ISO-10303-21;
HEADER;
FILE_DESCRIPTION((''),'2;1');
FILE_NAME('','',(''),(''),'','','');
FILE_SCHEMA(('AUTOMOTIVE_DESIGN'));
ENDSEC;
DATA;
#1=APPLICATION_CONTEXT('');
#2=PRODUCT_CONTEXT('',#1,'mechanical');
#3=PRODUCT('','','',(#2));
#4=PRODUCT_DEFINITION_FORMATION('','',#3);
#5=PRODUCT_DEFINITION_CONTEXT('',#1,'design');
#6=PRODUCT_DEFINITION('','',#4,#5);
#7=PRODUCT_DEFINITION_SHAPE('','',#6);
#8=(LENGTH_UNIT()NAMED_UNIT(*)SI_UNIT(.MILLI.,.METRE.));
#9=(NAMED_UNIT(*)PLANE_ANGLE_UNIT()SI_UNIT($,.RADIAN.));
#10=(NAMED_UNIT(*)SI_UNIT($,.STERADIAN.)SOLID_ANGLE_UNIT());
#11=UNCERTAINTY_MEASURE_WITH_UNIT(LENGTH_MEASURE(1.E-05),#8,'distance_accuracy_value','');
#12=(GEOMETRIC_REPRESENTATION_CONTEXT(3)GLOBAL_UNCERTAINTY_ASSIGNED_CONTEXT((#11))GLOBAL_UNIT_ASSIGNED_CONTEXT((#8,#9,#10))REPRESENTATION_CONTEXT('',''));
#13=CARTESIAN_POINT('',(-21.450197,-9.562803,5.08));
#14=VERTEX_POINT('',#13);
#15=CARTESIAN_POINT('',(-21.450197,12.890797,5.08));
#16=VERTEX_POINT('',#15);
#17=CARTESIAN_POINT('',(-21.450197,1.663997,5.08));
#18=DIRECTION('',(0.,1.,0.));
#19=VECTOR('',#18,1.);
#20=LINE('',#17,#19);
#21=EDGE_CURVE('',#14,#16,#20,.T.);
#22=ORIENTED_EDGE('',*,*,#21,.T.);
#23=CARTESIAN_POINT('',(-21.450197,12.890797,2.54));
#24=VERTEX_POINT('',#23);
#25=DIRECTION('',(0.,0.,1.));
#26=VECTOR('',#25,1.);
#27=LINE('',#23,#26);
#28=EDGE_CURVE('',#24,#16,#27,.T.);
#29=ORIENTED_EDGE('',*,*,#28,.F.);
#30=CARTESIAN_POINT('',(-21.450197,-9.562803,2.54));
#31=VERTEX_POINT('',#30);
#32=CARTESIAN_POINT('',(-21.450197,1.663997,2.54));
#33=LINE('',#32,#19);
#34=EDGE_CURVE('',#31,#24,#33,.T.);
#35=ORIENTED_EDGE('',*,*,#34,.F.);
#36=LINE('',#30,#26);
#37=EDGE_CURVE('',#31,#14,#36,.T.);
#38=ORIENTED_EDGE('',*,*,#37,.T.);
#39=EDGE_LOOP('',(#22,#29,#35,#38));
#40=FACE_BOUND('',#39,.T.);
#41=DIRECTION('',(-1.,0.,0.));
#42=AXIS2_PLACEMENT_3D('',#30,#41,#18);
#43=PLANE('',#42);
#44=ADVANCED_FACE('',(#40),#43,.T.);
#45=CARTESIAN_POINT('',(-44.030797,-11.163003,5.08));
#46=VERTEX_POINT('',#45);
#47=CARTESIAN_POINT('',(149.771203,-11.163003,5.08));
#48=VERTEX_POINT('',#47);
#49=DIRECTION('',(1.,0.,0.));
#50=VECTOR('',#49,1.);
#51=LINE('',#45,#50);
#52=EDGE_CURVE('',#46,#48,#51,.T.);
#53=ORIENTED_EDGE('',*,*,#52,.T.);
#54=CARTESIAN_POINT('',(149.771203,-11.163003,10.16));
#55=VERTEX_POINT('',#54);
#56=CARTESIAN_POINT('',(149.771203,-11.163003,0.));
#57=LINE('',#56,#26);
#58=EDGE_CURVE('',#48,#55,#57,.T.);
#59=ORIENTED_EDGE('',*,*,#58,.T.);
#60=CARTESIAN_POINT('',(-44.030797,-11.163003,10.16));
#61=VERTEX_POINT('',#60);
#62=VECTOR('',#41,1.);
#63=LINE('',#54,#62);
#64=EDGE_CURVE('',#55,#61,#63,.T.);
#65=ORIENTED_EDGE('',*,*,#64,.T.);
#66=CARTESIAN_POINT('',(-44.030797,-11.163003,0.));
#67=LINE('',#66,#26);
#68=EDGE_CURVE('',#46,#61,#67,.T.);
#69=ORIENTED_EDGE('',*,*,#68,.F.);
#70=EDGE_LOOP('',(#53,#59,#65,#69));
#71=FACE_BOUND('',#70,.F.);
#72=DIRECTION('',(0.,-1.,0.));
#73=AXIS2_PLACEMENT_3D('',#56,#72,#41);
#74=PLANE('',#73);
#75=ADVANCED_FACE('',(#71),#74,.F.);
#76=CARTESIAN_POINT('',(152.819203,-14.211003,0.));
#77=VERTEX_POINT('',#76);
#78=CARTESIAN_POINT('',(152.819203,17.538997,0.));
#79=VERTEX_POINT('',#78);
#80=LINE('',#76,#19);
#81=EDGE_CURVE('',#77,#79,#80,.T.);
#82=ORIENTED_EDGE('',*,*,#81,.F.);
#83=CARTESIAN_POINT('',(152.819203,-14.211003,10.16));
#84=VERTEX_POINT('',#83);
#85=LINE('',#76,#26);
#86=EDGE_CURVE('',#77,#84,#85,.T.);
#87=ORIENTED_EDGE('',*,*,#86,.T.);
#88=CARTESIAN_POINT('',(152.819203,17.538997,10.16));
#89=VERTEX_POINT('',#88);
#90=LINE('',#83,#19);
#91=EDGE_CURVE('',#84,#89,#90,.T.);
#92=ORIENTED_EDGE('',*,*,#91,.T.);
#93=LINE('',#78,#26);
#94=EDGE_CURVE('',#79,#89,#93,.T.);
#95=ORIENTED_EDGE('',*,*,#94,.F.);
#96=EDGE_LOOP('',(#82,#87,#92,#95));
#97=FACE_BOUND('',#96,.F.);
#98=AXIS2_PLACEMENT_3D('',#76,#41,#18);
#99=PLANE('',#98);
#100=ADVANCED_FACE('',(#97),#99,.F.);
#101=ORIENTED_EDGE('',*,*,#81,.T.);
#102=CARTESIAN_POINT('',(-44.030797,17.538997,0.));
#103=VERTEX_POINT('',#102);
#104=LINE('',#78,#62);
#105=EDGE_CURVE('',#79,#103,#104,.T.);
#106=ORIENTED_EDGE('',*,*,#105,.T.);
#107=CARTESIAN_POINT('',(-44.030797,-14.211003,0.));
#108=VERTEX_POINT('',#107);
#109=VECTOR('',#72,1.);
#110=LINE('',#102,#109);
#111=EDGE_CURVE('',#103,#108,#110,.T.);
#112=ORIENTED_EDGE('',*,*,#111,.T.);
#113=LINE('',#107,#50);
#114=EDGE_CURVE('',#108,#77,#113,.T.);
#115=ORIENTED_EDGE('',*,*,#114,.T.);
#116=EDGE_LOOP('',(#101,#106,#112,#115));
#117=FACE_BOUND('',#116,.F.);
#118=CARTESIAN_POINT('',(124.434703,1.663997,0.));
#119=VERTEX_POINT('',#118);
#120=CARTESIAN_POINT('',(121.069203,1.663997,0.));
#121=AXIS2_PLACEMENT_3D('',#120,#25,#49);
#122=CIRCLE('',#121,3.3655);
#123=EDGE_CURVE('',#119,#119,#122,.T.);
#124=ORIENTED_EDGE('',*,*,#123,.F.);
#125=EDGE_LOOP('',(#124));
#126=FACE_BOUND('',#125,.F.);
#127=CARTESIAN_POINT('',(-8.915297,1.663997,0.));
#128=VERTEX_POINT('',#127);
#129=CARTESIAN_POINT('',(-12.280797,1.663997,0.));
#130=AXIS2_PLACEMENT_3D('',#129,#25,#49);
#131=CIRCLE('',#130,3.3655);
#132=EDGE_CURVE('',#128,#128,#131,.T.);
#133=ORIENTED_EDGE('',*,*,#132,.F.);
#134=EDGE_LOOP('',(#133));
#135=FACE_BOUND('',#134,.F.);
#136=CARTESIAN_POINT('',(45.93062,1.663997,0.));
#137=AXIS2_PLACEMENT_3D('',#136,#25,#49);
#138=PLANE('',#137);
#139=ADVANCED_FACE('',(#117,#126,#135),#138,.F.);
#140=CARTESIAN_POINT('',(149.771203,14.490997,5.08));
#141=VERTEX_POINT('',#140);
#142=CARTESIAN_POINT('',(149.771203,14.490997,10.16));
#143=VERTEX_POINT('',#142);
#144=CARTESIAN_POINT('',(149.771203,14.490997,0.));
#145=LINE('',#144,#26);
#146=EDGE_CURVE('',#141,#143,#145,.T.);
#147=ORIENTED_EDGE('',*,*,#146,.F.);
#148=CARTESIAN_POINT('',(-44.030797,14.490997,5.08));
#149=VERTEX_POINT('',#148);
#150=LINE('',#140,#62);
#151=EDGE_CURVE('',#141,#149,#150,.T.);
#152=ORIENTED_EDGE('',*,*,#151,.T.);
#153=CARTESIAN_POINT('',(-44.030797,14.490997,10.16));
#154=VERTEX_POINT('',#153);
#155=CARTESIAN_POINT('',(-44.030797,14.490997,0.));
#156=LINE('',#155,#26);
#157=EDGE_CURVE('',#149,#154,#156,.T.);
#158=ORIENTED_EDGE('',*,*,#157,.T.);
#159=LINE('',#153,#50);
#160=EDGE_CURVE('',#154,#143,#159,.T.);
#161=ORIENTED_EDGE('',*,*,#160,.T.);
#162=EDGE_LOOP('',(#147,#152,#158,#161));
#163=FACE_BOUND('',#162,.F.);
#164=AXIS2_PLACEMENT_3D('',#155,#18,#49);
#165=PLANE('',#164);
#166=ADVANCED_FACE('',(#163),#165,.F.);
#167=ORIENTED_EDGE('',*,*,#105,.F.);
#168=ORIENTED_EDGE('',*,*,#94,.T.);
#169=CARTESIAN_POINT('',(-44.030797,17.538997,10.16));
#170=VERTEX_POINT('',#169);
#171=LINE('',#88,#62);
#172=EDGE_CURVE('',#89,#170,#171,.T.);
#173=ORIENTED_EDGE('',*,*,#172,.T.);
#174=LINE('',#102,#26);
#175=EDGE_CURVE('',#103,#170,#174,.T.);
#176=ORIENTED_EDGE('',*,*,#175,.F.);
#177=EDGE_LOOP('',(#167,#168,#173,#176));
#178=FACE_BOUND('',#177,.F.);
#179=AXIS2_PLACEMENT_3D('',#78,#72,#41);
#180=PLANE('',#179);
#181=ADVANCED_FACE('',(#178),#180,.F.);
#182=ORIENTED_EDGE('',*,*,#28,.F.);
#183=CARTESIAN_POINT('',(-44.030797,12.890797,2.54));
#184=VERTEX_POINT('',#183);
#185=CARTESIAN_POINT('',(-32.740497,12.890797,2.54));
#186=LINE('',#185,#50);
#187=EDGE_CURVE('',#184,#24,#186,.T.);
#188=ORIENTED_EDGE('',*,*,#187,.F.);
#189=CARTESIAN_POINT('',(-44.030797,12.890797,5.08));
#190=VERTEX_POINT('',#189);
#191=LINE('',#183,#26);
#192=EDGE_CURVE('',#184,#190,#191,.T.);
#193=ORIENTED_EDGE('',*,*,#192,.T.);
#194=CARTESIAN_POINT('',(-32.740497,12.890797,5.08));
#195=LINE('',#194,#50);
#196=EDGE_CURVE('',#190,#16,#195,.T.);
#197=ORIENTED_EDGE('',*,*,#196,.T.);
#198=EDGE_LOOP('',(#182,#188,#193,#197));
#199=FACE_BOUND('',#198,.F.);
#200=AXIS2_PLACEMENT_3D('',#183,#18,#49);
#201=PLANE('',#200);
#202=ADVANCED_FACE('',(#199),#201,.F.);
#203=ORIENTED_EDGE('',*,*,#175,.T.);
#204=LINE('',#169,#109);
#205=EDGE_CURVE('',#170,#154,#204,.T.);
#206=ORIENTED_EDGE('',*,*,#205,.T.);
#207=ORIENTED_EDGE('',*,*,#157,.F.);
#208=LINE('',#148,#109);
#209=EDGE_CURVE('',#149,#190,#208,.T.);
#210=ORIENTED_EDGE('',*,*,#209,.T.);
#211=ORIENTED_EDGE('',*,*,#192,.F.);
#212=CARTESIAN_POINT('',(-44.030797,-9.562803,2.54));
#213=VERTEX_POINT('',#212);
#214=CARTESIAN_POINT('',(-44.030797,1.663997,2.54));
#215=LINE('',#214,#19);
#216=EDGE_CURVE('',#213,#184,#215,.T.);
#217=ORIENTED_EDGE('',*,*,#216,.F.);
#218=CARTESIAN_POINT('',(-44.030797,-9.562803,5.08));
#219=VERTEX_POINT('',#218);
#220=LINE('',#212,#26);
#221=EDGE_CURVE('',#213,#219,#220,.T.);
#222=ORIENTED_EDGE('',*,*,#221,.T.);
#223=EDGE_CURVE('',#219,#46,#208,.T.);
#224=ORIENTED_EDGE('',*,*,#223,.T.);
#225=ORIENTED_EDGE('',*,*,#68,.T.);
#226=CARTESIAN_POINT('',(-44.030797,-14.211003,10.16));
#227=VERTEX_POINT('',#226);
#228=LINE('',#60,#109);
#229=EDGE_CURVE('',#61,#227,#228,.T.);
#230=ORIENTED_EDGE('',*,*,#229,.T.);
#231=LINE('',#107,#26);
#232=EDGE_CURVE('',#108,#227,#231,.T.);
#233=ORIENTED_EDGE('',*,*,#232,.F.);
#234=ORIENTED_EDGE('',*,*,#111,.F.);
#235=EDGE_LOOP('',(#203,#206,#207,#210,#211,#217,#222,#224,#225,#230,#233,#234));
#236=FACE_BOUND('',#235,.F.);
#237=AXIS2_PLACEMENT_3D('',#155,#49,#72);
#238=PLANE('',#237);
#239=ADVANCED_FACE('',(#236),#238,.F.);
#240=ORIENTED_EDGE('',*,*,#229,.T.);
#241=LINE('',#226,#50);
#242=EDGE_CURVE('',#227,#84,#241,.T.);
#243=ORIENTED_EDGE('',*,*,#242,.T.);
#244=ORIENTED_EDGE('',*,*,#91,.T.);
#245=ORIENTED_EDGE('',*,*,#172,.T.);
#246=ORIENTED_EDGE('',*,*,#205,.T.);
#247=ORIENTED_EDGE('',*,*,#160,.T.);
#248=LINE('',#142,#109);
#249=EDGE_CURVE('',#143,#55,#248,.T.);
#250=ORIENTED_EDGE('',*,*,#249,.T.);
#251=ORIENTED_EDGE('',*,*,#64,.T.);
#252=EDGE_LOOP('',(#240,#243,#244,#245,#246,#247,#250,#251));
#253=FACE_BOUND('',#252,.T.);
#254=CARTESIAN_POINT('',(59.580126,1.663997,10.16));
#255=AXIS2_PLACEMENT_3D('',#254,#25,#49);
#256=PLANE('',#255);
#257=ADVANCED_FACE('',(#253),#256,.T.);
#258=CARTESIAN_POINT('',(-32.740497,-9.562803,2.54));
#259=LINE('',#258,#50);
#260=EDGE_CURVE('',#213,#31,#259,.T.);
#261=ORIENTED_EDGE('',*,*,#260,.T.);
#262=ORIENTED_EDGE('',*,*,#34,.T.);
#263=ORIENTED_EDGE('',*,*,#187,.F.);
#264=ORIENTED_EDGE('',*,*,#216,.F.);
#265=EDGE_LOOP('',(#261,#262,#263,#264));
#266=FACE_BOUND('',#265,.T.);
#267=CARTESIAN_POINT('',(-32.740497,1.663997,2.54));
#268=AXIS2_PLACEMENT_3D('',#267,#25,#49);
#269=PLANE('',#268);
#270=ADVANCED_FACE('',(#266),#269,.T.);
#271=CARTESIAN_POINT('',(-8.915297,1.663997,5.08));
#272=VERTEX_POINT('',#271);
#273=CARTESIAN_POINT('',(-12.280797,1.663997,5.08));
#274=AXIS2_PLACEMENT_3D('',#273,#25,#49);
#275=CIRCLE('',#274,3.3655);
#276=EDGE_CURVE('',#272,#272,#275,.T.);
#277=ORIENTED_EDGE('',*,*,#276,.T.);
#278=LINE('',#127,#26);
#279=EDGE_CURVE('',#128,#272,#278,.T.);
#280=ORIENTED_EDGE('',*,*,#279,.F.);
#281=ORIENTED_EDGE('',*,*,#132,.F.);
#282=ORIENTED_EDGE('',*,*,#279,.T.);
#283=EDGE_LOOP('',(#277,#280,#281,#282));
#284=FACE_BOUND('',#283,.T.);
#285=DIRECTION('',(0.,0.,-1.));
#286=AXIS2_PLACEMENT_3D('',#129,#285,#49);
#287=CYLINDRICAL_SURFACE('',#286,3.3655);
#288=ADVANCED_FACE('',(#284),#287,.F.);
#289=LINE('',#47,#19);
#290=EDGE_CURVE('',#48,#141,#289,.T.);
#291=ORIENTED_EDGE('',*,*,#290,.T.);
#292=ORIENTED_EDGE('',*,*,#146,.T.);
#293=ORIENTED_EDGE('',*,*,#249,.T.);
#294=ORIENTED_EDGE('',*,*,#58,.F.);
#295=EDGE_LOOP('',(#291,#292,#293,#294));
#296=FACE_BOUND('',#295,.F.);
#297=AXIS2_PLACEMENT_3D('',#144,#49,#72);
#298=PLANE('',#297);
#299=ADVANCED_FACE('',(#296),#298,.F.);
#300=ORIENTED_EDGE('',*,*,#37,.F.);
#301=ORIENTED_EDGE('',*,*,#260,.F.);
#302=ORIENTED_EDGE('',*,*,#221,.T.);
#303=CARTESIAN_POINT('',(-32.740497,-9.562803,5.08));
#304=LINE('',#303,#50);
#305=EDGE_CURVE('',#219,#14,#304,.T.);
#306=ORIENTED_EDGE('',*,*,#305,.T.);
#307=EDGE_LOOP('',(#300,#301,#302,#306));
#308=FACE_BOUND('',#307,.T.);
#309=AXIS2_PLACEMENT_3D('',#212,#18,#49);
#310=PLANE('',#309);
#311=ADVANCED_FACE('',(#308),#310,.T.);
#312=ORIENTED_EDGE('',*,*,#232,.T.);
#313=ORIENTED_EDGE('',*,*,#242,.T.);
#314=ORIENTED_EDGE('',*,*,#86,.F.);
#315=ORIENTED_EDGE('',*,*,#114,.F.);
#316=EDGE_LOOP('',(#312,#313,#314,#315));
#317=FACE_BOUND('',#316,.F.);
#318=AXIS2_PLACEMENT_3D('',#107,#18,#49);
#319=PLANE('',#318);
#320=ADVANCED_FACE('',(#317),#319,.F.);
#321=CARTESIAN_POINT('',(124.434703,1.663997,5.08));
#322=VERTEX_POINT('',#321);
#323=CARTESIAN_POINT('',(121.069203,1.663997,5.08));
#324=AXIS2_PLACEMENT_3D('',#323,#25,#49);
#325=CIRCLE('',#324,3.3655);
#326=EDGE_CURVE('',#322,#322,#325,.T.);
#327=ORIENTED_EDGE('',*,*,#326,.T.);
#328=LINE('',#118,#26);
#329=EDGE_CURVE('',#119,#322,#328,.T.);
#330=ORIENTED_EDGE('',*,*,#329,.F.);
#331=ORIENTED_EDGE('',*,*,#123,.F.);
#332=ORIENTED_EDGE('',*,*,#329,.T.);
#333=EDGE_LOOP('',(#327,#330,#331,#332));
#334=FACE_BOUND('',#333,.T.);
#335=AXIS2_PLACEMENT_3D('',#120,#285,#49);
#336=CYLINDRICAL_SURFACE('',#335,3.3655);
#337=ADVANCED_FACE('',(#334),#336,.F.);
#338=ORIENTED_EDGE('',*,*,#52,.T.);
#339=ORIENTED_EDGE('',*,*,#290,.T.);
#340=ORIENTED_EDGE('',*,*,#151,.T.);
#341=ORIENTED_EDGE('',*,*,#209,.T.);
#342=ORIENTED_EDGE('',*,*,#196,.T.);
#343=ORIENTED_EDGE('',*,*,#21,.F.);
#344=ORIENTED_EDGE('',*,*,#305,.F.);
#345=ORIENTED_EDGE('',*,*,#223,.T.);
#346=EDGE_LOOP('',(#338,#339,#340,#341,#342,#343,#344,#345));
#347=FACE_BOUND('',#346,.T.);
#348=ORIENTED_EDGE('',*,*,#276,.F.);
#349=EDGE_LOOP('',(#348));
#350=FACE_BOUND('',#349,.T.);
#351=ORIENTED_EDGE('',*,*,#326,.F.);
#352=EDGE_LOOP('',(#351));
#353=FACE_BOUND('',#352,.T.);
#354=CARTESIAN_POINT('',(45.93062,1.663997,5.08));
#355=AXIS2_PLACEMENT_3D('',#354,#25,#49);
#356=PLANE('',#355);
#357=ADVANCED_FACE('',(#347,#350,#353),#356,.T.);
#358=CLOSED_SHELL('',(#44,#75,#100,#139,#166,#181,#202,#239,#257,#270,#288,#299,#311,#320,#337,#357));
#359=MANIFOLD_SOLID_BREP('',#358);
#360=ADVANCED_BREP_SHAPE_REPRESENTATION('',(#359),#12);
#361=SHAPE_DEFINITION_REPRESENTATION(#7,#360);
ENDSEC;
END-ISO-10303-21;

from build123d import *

# Parameters (mm, degrees)
F1_DEPTH = 10.16
F0_R     = 3.3655
F0_W     = 22.5806
F0_H     = 22.4536
F2_DEPTH = 5.08
F3_START = 2.54
F3_DEPTH = 2.54


with BuildPart() as f1:
    # F0 (on Top) → F1 (new body)
    with BuildSketch(Plane.XY):
        Polygon((-44.0307967365, -11.1630027373), (-44.0307967365, -14.2110027373), (152.8192032635, -14.2110027373), (152.8192032635, 17.5389972627), (-44.0307967365, 17.5389972627), (-44.0307967365, 14.4909972627), (149.7712032635, 14.4909972627), (149.7712032635, -11.1630027373), align=None)
    extrude(amount=F1_DEPTH)

    # F0 (on Top) → F2 (join)
    with BuildSketch(Plane.XY):
        Polygon((-44.0307967365, -9.5628027373), (-44.0307967365, -11.1630027373), (149.7712032635, -11.1630027373), (149.7712032635, 14.4909972627), (-44.0307967365, 14.4909972627), (-44.0307967365, 12.8907972627), (-21.4501967365, 12.8907972627), (-21.4501967365, -9.5628027373), align=None)
        with Locations((-12.2807967365, 1.6639972627)):
            Circle(F0_R, mode=Mode.SUBTRACT)
        with Locations((121.0692032635, 1.6639972627)):
            Circle(F0_R, mode=Mode.SUBTRACT)
        with Locations((-32.7404967365, 1.6639972627)):
            Rectangle(F0_W, F0_H)
    extrude(amount=F2_DEPTH)

    # F0 (on Top) → F3 (cut)
    with BuildSketch(Plane.XY.offset(F3_START)):
        with Locations((-32.7404967365, 1.6639972627)):
            Rectangle(F0_W, F0_H)
    extrude(amount=F3_DEPTH, mode=Mode.SUBTRACT)


solid = f1.part
